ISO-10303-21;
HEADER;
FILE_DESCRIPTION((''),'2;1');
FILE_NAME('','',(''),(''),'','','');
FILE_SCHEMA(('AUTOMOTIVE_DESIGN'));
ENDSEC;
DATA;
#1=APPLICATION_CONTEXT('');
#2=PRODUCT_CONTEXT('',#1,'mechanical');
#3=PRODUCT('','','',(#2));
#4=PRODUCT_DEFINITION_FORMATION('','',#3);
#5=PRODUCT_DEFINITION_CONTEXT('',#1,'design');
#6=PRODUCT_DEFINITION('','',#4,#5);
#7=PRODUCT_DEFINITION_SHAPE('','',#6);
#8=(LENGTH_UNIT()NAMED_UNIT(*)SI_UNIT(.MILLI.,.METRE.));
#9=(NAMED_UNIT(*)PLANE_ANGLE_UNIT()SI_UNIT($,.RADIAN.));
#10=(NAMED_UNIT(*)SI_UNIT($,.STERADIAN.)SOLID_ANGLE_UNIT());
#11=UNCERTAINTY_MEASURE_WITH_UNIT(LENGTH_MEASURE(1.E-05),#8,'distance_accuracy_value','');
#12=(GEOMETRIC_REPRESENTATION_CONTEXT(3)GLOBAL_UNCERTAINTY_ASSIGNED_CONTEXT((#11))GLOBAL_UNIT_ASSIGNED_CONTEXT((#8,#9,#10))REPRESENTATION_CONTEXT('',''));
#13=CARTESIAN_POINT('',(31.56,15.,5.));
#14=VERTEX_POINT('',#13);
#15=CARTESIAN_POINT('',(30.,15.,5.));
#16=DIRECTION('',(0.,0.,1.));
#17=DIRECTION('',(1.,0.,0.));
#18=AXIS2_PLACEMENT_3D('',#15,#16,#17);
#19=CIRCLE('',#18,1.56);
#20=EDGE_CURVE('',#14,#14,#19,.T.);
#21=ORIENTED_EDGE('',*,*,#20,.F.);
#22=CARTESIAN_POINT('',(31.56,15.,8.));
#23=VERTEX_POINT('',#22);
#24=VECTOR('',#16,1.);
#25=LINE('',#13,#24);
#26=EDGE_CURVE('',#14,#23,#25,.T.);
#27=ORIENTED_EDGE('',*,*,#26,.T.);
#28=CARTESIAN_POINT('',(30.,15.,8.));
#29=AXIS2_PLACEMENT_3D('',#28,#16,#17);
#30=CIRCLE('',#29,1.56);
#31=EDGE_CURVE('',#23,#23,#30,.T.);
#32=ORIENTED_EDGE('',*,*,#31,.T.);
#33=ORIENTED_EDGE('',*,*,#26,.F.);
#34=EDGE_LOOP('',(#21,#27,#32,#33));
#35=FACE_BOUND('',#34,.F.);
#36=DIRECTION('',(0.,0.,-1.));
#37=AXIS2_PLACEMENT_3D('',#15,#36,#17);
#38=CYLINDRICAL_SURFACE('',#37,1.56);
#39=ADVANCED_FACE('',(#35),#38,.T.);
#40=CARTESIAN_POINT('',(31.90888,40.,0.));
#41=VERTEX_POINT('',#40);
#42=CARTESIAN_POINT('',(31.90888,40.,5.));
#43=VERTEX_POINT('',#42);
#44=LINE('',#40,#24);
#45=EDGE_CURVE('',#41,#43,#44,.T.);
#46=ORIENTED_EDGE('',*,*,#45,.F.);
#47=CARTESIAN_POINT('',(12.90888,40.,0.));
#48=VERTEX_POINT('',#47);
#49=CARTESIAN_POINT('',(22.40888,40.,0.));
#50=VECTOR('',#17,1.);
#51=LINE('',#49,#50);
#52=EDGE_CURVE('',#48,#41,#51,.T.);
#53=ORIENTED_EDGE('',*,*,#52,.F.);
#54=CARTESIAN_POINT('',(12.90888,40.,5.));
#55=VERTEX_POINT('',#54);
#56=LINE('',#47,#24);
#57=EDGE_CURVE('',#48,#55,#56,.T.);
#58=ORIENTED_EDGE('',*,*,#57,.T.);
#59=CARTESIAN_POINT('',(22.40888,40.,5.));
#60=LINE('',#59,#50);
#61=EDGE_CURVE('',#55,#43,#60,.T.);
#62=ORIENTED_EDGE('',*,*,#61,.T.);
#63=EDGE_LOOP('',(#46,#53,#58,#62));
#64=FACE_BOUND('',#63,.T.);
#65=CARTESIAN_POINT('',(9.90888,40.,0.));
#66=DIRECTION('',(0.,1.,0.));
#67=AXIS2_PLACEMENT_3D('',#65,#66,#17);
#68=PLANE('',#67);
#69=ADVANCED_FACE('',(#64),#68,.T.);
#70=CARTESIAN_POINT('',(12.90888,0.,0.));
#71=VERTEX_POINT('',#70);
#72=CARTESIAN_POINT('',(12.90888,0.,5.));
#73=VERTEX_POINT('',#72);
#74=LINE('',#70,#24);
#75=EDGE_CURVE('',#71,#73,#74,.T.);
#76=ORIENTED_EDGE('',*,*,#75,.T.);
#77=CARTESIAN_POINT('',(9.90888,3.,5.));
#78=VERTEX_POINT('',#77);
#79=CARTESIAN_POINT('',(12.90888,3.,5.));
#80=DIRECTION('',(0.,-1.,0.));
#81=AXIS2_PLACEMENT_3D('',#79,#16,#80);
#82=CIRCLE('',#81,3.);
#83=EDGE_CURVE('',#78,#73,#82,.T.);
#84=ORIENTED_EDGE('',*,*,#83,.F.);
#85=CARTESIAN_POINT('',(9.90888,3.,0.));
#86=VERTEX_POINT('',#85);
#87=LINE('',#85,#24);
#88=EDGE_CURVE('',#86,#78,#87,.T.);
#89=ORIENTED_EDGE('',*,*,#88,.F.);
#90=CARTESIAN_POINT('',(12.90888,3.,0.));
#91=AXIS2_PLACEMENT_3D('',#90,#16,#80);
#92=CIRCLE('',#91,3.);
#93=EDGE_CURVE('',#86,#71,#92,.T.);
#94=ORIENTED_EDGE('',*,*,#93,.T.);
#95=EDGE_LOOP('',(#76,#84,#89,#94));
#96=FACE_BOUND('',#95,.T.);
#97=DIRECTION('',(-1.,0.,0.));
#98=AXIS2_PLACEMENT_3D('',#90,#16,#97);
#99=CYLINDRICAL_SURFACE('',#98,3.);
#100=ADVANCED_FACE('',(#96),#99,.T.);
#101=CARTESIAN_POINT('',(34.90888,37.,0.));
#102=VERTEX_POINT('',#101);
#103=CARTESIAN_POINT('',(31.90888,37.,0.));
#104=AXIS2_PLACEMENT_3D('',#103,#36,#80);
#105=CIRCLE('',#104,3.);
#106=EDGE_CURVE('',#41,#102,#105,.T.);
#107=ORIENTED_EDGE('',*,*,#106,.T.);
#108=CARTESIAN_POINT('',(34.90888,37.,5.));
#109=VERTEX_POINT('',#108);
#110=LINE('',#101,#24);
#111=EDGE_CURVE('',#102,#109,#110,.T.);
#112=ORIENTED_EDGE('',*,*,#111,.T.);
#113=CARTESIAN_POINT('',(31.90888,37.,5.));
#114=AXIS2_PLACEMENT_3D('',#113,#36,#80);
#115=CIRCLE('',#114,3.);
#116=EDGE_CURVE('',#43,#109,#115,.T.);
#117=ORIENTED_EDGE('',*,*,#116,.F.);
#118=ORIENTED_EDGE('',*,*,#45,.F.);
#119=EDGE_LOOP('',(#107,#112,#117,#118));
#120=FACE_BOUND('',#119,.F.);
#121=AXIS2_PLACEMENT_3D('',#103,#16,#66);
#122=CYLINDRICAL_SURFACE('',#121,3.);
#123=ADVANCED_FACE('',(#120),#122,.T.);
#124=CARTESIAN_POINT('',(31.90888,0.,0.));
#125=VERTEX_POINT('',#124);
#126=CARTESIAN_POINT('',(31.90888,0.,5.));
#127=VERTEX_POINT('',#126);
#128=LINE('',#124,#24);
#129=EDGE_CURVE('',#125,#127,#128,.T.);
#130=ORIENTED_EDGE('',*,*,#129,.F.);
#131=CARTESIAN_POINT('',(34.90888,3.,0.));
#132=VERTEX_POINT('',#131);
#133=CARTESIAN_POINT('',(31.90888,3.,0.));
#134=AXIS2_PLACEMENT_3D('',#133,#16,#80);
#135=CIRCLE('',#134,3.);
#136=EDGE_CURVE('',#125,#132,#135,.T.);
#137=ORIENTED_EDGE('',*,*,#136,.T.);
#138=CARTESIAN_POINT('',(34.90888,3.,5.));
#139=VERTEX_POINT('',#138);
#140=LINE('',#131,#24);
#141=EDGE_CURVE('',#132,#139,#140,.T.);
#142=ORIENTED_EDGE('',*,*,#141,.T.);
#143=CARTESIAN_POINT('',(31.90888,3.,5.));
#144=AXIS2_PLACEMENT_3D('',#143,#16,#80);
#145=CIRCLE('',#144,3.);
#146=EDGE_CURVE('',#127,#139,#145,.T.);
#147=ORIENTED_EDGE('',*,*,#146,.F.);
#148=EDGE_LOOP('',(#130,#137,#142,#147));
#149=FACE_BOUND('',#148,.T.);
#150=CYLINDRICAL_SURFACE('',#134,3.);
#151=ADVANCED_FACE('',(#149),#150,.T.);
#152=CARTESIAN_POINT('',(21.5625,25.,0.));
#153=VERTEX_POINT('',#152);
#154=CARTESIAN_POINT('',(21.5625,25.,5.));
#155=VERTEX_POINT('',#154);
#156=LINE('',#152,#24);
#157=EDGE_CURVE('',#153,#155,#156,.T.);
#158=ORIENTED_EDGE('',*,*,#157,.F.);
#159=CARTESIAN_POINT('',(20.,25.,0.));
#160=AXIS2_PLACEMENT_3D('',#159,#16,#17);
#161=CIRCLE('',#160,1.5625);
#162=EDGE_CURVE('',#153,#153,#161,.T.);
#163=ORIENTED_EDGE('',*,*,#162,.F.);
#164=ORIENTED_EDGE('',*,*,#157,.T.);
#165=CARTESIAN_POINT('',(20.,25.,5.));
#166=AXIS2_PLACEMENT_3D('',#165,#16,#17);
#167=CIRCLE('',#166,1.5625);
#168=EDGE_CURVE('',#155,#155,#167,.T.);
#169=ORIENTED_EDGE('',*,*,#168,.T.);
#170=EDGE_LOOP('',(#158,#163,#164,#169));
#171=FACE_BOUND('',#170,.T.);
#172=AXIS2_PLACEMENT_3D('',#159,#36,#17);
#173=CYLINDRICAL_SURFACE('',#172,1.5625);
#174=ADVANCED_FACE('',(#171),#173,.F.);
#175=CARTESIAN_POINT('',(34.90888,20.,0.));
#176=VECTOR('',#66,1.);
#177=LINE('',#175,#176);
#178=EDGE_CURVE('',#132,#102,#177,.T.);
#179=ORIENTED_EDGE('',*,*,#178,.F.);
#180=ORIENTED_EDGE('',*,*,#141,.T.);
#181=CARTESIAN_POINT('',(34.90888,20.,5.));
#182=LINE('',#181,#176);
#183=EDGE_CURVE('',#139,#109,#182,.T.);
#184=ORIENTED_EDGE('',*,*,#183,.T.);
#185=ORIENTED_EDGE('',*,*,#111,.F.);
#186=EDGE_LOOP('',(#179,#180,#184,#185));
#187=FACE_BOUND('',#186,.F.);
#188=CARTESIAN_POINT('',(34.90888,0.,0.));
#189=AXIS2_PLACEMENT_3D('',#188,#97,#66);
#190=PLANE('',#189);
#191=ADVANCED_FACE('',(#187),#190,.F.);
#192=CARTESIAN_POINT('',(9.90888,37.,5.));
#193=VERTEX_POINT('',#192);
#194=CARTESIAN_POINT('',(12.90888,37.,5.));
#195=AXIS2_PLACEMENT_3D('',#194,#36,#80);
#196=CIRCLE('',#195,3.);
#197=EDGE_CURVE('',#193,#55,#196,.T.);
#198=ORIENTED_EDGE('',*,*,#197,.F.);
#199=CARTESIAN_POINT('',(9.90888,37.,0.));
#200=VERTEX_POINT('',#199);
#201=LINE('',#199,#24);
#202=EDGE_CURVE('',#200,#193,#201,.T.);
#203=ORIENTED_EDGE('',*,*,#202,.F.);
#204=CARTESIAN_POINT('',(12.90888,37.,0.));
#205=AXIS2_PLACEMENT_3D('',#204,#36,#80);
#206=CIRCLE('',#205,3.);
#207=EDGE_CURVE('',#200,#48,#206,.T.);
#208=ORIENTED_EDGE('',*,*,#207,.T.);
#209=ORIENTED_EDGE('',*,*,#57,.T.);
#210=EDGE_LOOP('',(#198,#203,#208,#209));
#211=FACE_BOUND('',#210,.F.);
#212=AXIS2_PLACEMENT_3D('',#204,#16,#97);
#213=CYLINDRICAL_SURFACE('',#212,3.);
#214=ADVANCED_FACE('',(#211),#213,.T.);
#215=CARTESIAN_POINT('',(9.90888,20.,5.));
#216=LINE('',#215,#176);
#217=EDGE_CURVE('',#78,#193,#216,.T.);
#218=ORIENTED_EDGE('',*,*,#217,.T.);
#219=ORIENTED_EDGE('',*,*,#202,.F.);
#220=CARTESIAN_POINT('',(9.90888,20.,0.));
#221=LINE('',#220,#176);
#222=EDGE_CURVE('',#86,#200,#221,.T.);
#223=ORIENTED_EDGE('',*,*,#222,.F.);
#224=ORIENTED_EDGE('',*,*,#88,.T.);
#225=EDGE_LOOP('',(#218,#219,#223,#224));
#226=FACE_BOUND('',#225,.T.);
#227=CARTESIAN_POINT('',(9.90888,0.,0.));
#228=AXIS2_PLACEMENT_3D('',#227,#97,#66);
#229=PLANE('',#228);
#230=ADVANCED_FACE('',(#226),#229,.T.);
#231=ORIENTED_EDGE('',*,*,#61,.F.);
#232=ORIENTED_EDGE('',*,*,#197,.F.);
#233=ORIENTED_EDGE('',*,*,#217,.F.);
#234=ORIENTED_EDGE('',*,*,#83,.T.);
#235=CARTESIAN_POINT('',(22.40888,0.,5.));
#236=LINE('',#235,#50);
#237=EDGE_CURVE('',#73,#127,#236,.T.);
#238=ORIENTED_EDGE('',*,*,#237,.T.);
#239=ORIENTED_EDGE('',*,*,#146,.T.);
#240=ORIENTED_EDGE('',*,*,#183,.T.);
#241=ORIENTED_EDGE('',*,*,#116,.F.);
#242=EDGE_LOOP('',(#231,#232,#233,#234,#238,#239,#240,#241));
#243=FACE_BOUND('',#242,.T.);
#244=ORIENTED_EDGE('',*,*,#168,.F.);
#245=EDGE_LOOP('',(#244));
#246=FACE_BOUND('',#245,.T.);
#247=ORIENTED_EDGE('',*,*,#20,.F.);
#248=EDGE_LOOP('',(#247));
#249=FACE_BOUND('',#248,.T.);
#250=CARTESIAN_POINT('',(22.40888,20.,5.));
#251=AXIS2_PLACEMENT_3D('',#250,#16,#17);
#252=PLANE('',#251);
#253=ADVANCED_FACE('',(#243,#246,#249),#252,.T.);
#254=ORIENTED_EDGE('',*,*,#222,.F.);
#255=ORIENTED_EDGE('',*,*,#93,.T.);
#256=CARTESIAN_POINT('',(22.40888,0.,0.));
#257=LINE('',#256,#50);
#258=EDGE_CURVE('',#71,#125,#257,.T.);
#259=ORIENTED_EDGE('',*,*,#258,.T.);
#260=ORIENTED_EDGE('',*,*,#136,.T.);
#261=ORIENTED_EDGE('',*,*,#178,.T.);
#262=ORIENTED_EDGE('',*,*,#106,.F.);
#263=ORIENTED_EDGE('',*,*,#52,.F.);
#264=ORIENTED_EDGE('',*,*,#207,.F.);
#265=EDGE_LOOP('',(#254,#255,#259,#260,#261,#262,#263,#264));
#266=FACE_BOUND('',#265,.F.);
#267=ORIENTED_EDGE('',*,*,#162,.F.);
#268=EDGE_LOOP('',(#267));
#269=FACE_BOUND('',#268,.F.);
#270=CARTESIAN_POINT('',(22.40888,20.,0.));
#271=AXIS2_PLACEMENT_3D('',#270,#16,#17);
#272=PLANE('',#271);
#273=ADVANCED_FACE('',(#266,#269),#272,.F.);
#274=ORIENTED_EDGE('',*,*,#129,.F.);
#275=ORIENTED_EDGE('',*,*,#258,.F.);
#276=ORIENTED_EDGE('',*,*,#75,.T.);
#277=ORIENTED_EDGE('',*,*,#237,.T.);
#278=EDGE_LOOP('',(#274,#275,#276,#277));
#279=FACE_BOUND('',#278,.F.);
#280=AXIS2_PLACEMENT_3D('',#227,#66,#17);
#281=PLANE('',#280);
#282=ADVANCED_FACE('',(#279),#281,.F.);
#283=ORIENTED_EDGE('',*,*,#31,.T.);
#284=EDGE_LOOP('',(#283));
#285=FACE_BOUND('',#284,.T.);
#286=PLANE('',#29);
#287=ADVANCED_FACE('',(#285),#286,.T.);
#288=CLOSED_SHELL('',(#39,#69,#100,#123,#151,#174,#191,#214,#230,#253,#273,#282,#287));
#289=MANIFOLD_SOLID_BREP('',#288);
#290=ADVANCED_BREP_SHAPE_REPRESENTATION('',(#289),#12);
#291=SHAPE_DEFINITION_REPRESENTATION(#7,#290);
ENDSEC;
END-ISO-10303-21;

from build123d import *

# Parameters (mm, degrees)
SKETCH_W     = 25
SKETCH_H     = 40
SKETCH_R     = 1.5625
PAD_DEPTH    = 5
FILLET_R     = 3
SKETCH001_R  = 1.56
PAD001_DEPTH = 3


with BuildPart() as part:
    # Sketch → Pad (new body)
    with BuildSketch(Plane.XY):
        with Locations((22.40888, 20)):
            Rectangle(SKETCH_W, SKETCH_H)
        with Locations((20, 25)):
            Circle(SKETCH_R, mode=Mode.SUBTRACT)
    extrude(amount=PAD_DEPTH)

    # Fillet
    fillet_edges = [part.edges().sort_by_distance(p)[0] for p in [
        (9.90888, 0, 2.5),
        (34.90888, 0, 2.5),
        (34.90888, 40, 2.5),
        (9.90888, 40, 2.5),
    ]]
    fillet(fillet_edges, radius=FILLET_R)

    # Sketch001 (on Face7 of Pad) → Pad001 (join)
    with BuildSketch(Plane.XY.offset(5)):
        with Locations((30, 15)):
            Circle(SKETCH001_R)
    extrude(amount=PAD001_DEPTH)


solid = part.part
